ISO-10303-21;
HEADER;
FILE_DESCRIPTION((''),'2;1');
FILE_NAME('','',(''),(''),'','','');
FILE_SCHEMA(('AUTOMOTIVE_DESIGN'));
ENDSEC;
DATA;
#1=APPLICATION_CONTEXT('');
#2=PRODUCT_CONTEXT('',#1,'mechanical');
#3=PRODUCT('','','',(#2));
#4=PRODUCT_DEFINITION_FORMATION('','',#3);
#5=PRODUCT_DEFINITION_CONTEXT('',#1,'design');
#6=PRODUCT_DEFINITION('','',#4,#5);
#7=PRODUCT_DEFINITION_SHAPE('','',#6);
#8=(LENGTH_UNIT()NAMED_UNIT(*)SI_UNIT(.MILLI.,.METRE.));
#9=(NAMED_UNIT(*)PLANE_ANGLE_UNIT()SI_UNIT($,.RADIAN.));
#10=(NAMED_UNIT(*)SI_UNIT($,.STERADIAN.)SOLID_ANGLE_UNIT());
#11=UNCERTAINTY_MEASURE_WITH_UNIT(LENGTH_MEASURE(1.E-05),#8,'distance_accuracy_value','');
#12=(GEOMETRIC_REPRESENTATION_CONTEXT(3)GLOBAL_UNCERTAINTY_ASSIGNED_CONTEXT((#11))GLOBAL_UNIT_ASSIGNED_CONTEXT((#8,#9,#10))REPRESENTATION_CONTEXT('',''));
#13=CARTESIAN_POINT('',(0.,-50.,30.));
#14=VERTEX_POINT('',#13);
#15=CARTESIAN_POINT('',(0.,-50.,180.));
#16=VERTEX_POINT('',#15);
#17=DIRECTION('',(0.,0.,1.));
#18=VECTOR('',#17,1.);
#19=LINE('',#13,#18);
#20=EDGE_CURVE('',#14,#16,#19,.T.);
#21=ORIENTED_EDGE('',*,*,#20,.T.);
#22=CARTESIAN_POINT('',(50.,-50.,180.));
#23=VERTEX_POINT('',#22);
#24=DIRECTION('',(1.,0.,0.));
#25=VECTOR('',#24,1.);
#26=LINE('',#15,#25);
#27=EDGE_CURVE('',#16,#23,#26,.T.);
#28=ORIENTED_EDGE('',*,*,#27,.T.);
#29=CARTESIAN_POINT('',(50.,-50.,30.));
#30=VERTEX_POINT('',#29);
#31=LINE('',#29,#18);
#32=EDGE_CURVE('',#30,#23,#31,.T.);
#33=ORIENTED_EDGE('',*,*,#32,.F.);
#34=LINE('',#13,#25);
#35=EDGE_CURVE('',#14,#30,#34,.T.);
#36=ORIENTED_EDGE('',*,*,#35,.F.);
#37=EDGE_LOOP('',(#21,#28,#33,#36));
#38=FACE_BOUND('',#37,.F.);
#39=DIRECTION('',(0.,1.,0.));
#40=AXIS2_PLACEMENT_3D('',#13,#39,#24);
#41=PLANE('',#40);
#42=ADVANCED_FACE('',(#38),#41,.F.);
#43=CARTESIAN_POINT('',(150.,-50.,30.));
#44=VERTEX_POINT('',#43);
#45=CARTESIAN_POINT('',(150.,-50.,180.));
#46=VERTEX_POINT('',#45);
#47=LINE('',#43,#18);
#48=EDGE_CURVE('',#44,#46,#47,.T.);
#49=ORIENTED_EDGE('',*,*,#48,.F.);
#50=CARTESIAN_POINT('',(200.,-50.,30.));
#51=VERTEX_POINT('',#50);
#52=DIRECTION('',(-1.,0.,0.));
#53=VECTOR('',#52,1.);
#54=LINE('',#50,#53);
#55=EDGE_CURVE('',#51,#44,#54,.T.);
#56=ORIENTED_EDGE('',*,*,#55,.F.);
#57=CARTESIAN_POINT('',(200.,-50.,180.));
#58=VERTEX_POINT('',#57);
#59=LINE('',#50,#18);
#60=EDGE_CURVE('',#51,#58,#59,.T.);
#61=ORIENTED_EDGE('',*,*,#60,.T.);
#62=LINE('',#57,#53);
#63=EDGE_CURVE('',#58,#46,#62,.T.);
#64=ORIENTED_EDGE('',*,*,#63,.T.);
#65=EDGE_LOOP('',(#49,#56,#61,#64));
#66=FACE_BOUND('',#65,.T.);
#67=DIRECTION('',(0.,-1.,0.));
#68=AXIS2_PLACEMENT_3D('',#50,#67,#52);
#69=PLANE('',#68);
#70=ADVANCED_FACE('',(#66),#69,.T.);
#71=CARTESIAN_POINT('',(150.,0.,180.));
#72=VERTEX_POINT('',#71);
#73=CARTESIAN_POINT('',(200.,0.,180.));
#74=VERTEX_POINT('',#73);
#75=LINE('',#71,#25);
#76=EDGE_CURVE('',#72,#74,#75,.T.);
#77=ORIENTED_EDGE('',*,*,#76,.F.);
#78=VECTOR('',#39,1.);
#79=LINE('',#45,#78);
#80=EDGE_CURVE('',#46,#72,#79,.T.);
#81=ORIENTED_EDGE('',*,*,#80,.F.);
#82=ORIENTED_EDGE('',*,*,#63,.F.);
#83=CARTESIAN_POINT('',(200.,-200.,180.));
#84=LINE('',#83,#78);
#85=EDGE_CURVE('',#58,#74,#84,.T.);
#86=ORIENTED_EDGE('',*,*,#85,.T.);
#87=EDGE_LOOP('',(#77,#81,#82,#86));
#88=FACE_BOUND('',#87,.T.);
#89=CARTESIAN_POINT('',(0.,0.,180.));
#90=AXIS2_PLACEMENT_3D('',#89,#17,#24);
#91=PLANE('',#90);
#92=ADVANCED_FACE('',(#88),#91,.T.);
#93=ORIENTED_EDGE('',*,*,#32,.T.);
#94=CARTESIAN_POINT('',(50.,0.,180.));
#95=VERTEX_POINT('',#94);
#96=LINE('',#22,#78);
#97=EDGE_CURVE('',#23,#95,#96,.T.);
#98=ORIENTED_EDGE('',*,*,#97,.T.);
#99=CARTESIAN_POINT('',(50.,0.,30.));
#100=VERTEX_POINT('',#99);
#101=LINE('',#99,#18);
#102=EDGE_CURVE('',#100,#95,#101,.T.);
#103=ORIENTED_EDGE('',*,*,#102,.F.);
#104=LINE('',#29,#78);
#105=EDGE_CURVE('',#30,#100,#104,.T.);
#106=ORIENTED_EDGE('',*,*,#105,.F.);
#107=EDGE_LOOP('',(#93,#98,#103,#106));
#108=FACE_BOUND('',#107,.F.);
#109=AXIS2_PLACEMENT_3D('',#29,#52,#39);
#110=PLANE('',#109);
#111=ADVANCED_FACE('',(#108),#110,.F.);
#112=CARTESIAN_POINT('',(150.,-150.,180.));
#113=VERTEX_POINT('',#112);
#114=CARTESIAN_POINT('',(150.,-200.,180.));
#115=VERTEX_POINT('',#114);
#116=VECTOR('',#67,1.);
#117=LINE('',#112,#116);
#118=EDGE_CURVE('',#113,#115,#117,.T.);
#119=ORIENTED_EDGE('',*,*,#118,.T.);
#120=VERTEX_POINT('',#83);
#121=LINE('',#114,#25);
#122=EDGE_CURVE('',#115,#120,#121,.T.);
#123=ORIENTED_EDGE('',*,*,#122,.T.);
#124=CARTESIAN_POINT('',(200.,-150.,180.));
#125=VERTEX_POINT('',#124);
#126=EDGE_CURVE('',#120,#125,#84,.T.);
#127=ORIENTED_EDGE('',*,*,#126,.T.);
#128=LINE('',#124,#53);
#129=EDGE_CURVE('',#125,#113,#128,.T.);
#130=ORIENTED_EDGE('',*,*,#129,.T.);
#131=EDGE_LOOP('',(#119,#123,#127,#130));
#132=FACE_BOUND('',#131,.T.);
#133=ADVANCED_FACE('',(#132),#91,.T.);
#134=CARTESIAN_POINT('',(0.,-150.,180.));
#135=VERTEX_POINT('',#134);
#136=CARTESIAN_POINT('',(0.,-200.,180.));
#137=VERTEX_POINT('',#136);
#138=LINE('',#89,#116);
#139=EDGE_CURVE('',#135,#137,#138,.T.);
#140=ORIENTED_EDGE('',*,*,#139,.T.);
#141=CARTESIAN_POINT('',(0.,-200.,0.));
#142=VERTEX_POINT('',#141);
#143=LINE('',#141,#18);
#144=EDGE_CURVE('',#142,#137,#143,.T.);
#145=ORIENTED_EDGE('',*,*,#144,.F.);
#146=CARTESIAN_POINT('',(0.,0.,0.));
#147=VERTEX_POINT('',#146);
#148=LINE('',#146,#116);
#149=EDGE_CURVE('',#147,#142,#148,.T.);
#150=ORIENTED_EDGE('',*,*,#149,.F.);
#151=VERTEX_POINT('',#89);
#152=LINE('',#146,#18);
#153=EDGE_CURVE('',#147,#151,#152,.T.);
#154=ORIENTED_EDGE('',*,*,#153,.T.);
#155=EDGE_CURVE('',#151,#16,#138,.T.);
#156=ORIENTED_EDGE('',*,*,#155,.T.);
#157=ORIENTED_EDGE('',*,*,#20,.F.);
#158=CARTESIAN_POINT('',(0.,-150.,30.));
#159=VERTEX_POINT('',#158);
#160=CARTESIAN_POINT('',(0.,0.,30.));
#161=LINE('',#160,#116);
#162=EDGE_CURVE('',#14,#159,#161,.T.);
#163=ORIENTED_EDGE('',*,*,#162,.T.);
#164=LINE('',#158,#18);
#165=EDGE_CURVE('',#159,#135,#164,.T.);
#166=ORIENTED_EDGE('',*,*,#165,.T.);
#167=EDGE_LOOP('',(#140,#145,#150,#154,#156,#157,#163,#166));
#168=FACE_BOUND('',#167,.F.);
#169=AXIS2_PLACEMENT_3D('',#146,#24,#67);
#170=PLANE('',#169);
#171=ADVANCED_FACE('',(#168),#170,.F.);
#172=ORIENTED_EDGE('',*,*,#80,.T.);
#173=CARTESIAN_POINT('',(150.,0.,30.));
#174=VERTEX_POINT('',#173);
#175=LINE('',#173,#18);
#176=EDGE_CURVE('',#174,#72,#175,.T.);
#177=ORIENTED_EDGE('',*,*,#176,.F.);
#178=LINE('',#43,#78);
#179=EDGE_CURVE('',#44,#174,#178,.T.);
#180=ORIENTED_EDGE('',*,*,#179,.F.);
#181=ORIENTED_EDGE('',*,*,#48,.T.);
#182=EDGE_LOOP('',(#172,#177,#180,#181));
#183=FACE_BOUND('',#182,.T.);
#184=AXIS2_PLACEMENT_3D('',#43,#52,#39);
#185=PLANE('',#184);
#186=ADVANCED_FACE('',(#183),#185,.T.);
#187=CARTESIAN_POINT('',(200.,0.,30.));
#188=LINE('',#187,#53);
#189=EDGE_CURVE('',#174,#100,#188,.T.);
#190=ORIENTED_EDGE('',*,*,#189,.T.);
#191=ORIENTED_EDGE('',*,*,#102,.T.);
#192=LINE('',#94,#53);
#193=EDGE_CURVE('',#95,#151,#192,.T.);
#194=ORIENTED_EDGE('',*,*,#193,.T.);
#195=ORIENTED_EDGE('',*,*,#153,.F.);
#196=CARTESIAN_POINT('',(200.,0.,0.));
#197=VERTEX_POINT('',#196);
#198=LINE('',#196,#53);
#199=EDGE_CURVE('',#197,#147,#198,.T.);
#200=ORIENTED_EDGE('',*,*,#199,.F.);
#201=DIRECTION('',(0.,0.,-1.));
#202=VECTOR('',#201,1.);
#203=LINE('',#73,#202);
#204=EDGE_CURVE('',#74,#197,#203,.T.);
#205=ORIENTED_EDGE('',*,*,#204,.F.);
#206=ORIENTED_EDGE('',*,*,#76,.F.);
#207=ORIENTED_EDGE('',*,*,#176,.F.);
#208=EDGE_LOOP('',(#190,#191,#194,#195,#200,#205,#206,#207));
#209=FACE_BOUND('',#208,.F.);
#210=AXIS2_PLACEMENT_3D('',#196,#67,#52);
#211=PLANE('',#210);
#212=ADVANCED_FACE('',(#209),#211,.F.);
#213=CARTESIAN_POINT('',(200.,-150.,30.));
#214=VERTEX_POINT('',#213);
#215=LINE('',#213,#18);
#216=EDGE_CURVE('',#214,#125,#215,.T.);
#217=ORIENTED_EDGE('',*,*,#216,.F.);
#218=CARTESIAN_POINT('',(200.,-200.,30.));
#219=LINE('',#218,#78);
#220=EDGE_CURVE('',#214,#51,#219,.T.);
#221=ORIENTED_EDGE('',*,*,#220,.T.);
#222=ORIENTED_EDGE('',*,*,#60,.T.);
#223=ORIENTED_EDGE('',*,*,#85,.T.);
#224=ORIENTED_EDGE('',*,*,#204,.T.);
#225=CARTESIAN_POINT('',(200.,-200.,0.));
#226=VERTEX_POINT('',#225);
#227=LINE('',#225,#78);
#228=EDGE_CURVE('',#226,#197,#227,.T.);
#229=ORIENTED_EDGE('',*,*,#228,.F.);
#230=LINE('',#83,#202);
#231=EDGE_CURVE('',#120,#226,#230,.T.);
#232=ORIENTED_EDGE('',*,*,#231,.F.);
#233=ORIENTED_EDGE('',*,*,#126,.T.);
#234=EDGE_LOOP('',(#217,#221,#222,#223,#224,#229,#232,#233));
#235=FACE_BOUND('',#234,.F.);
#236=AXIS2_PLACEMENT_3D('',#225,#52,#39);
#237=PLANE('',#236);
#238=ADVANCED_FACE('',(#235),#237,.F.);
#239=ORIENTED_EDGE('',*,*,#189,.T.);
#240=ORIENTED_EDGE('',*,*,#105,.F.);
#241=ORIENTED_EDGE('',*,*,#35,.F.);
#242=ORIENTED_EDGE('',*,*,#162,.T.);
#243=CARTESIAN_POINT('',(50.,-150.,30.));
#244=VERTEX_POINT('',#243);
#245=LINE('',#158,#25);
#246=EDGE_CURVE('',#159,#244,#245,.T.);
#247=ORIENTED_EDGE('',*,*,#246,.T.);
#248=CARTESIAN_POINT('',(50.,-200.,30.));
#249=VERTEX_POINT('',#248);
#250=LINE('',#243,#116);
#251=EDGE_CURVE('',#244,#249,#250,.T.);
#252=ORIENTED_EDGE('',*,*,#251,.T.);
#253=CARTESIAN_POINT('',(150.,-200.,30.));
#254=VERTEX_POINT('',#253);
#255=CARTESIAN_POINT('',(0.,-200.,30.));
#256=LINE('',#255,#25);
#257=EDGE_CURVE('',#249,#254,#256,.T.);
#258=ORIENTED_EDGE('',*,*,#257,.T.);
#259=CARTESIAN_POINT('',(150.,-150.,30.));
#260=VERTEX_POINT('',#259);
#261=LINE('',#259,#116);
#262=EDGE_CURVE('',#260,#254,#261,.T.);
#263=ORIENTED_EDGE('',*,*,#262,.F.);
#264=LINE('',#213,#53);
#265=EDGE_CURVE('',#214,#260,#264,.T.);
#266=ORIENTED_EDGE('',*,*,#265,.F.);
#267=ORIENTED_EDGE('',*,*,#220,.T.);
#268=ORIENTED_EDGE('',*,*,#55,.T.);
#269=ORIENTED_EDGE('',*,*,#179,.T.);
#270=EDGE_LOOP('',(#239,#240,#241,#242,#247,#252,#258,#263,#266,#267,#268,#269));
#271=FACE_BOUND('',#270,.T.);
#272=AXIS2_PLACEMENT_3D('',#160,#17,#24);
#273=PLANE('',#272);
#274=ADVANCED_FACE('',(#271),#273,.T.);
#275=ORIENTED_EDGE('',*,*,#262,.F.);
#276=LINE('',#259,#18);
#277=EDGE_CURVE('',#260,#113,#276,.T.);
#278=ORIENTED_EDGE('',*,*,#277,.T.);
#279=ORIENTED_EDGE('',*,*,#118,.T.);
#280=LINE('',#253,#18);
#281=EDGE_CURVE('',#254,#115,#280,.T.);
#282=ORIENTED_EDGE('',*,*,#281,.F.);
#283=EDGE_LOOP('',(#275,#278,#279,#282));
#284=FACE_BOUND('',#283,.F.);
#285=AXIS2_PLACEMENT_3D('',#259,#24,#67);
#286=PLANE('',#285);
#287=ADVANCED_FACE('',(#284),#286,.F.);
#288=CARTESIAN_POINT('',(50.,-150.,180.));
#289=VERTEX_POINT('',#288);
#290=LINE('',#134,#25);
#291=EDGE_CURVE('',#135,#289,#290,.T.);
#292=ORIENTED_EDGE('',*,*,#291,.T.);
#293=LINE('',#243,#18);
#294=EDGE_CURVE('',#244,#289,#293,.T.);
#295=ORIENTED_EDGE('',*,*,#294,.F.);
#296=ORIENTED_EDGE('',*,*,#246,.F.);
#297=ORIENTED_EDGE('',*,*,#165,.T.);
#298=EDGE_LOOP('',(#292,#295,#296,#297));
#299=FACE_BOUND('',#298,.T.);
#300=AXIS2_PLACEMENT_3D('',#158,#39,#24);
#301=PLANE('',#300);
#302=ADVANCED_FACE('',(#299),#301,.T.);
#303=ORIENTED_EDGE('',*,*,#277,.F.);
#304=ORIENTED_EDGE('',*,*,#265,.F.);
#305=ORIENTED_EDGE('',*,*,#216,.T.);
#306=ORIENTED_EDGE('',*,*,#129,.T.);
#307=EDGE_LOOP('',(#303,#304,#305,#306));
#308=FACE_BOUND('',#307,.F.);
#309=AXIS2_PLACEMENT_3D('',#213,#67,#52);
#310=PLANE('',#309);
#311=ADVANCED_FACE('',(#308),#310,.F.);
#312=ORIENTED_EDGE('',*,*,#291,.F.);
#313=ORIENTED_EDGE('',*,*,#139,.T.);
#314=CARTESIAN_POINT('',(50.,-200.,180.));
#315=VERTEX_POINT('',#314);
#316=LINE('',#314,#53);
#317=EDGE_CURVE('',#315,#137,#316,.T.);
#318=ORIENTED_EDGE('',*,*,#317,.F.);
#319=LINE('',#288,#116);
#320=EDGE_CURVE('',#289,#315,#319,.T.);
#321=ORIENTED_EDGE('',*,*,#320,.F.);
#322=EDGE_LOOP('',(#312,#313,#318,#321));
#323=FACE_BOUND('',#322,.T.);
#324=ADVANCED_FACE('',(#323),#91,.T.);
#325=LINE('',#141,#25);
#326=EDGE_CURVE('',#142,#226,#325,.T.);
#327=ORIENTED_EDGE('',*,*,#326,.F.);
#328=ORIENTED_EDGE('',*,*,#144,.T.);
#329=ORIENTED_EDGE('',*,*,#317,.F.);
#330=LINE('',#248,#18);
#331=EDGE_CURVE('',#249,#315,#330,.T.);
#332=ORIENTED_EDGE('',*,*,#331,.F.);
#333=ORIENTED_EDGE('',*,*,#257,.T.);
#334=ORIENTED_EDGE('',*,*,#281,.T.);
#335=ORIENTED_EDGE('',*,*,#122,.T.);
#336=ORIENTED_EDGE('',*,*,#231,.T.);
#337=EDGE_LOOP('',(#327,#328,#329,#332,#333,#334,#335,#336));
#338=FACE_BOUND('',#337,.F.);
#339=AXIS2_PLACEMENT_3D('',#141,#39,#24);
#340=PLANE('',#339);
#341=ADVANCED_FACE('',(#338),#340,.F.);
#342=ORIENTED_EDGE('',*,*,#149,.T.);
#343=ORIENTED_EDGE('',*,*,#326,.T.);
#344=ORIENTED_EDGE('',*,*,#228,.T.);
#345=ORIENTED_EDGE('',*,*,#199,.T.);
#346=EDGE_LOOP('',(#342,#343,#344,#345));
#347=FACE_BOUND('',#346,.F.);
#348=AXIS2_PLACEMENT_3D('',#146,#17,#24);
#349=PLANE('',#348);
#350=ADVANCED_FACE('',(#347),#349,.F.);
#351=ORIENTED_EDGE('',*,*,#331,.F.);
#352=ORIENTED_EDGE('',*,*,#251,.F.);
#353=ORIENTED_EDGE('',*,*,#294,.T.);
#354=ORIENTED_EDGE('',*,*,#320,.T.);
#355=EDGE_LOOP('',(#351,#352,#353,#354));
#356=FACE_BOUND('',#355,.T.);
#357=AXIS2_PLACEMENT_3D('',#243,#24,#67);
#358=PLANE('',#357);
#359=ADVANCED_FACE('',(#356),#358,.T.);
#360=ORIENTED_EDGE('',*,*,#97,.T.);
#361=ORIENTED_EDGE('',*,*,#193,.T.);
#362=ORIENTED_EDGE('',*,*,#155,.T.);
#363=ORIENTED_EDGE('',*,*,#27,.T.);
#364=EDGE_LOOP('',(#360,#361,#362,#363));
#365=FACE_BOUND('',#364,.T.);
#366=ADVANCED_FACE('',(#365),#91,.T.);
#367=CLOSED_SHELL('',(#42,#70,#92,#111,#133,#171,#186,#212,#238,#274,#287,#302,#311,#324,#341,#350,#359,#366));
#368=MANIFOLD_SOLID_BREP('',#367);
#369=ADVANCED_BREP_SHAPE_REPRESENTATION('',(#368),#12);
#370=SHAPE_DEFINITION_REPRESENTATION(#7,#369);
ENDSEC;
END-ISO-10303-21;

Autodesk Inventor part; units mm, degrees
ref_plane "YZ Plane" through (0, 0, 0) normal (1, 0, 0) x (0, 1, 0)
ref_plane "XZ Plane" through (0, 0, 0) normal (0, 1, 0) x (-1, 0, 0)
ref_plane "XY Plane" through (0, 0, 0) normal (0, 0, 1) x (1, 0, 0)
sketch "Sketch1" plane through (0, 0, 0) normal (0, 0, 1) x (1, 0, 0)
  line L0 (0, 0) -> (0, -200)
  line L1 (0, -200) -> (200, -200)
  line L2 (200, -200) -> (200, 0)
  line L3 (200, 0) -> (0, 0)
  dimension "d0" = 200
  dimension "d1" = 200
extrude "Extrusion1" add sketch "Sketch1" along normal blind 30
sketch "Sketch2" plane through (0, 0, 30) normal (0, 0, 1) x (1, 0, 0)
  line L0 (0, 0) -> (0, -200) projected
  line L1 (0, 0) -> (0, -50)
  line L2 (0, -50) -> (50, -50)
  line L3 (50, -50) -> (50, 0)
  line L4 (50, 0) -> (0, 0)
  line L5 (200, -200) -> (200, 0) projected
  line L6 (200, 0) -> (200, -50)
  line L7 (200, -50) -> (150, -50)
  line L8 (150, -50) -> (150, 0)
  line L9 (150, 0) -> (200, 0)
  line L10 (0, -200) -> (0, -150)
  line L11 (0, -150) -> (50, -150)
  line L12 (50, -150) -> (50, -200)
  line L13 (50, -200) -> (0, -200)
  line L14 (200, -200) -> (200, -150)
  line L15 (200, -150) -> (150, -150)
  line L16 (150, -150) -> (150, -200)
  line L17 (150, -200) -> (200, -200)
  dimension "d4" = 50
  dimension "d5" = 50
  dimension "d6" = 50
  dimension "d7" = 50
  dimension "d8" = 50
  dimension "d9" = 50
  dimension "d10" = 50
  dimension "d11" = 50
extrude "Extrusion2" add sketch "Sketch2" along normal blind 150
properties part number "STand_1"
